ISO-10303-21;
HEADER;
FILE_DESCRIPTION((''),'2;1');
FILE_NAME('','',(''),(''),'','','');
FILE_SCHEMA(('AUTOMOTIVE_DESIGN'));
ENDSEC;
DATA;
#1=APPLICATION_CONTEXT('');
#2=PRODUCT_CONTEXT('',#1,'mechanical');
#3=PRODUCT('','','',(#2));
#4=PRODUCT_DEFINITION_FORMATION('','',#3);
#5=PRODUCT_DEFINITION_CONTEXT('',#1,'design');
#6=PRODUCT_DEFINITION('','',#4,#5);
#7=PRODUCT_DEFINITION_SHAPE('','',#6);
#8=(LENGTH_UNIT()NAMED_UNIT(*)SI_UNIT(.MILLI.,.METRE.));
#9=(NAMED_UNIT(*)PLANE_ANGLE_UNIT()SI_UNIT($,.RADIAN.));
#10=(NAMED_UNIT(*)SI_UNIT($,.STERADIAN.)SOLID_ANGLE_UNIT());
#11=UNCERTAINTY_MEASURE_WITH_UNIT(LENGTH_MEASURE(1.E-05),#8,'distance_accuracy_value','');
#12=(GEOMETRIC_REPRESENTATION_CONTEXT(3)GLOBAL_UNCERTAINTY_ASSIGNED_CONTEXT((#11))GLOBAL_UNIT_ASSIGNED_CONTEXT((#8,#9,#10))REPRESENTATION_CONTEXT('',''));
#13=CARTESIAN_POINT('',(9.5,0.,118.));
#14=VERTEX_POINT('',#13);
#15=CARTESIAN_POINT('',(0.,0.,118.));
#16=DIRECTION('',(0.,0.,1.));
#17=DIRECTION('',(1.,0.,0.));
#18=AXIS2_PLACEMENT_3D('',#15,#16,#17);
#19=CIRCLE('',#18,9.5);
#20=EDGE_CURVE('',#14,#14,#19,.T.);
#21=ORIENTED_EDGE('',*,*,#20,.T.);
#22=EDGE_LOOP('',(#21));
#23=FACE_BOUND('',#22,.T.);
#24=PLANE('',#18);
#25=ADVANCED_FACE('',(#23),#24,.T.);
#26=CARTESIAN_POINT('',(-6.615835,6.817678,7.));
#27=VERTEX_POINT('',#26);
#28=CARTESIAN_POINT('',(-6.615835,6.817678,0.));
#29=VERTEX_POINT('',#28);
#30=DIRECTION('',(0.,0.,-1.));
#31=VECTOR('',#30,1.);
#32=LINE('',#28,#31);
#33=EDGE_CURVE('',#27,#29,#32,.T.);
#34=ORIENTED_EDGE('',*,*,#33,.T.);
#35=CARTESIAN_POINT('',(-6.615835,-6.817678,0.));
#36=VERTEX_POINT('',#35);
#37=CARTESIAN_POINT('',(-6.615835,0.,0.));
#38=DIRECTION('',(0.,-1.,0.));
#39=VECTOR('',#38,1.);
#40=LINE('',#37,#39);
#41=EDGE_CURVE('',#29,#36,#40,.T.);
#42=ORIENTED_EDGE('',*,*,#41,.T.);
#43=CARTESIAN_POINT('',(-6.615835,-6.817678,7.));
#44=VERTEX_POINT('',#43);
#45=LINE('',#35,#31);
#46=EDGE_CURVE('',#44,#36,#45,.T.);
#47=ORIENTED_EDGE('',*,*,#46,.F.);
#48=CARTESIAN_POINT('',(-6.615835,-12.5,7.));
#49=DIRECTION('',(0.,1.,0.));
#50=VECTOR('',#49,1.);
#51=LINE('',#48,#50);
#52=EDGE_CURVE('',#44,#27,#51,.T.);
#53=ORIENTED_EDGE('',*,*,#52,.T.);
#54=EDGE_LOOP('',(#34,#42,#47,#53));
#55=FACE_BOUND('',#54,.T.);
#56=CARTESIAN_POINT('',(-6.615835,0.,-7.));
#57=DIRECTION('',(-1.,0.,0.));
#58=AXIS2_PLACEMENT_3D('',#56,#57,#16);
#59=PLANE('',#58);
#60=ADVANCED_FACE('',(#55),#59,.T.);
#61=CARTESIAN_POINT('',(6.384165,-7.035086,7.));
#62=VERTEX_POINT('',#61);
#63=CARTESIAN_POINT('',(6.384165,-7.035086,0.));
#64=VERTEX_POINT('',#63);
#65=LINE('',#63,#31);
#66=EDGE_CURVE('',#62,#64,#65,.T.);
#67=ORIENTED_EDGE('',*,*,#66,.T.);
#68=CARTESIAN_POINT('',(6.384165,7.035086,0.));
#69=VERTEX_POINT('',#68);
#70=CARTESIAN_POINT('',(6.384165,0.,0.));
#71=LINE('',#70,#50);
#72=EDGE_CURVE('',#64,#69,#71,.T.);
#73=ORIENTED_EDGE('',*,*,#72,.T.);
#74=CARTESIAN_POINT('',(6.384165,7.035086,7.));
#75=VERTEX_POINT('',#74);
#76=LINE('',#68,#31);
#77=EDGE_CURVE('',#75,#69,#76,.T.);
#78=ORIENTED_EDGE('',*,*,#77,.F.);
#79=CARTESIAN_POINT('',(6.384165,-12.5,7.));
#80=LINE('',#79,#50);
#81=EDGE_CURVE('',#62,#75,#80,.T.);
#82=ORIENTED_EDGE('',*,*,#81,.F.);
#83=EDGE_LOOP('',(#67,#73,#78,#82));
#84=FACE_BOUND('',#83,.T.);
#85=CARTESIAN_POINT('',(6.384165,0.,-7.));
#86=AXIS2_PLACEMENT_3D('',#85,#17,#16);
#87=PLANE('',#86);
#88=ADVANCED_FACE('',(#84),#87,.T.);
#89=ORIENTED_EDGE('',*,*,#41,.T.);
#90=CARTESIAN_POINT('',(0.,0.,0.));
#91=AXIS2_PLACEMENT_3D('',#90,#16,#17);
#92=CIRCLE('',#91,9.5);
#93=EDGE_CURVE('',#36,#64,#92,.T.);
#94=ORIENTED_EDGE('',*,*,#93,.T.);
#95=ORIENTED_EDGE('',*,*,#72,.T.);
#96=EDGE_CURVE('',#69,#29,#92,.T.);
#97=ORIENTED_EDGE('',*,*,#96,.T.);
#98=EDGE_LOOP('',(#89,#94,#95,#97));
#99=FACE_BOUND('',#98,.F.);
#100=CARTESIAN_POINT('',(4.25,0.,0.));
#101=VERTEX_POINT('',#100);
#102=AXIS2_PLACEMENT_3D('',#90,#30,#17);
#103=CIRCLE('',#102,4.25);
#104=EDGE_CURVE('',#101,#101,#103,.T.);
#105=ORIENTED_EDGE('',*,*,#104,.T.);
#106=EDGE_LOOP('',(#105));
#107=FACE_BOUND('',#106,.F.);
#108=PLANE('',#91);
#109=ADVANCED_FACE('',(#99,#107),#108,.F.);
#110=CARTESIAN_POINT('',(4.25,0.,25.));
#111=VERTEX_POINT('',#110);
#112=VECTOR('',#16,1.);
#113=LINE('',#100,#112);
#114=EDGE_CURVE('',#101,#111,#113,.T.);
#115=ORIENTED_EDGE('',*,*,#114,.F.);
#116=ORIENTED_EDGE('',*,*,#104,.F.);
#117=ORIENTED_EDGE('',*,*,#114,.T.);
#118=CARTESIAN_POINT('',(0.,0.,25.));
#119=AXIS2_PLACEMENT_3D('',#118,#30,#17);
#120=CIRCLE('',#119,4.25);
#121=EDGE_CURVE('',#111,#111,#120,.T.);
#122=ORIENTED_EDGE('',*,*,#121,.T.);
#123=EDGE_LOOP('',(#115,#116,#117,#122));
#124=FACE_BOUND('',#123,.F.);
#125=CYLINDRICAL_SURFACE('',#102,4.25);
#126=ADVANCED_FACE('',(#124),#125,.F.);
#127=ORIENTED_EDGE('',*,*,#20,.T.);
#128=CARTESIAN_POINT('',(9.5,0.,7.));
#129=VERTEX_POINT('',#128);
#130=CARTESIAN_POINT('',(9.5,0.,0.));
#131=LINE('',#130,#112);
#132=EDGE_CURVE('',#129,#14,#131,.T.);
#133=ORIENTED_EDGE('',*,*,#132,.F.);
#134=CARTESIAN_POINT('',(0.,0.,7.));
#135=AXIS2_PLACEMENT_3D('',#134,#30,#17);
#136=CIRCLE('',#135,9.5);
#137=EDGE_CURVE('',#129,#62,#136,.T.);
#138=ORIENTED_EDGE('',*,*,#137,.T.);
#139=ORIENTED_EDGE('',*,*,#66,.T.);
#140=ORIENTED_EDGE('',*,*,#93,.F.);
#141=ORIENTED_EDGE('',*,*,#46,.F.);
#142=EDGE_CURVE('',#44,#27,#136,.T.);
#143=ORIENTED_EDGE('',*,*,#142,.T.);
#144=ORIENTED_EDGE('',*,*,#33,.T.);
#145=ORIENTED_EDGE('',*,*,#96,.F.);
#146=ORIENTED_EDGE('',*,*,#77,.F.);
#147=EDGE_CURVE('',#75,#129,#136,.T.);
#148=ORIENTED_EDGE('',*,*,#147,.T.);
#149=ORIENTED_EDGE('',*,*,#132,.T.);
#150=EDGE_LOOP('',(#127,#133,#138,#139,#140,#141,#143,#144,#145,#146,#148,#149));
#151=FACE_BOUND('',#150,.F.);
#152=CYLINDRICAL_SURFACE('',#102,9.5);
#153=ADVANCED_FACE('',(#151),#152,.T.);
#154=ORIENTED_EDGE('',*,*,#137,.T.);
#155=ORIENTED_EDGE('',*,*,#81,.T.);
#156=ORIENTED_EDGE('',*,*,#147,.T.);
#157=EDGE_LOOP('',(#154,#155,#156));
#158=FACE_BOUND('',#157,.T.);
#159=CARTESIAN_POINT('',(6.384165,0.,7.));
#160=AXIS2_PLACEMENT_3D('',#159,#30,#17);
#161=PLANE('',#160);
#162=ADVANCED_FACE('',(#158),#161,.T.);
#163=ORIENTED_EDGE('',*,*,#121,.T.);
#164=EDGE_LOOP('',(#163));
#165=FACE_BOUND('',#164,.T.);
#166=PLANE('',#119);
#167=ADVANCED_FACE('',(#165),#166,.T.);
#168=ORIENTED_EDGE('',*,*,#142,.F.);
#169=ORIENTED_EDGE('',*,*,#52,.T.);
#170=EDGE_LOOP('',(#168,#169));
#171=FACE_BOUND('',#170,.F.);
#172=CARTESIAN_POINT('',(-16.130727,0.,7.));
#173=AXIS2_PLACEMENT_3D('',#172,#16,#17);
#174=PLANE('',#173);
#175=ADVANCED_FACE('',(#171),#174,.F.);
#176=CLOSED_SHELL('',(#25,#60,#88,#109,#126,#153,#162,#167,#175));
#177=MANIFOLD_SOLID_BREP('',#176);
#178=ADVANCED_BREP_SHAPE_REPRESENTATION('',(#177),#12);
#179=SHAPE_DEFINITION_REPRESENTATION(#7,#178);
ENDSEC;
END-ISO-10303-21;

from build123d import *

# Parameters (mm, degrees)
F0_R     = 9.5
F1_DEPTH = 118
F2_W     = 9.514893
F2_H     = 14
F2_W_2   = 10.271802
F3_DEPTH = 12.5
F4_R     = 4.25
F5_DEPTH = 25


with BuildPart() as f1:
    # F0 (on Top) → F1 (new body)
    with BuildSketch(Plane.XY):
        Circle(F0_R)
    extrude(amount=F1_DEPTH)

    # F2 (on Front) → F3 (cut, symmetric)
    with BuildSketch(Plane.XZ):
        with Locations((-11.373281, 0)):
            Rectangle(F2_W, F2_H)
        with Locations((11.520066, 0)):
            Rectangle(F2_W_2, F2_H)
    extrude(amount=F3_DEPTH, both=True, mode=Mode.SUBTRACT)

    # F4 (on face) → F5 (cut)
    with BuildSketch(Plane(origin=(0, 0, 0), x_dir=(1, 0, 0), z_dir=(0, 0, -1))):
        Circle(F4_R)
    extrude(amount=-F5_DEPTH, mode=Mode.SUBTRACT)


solid = f1.part
